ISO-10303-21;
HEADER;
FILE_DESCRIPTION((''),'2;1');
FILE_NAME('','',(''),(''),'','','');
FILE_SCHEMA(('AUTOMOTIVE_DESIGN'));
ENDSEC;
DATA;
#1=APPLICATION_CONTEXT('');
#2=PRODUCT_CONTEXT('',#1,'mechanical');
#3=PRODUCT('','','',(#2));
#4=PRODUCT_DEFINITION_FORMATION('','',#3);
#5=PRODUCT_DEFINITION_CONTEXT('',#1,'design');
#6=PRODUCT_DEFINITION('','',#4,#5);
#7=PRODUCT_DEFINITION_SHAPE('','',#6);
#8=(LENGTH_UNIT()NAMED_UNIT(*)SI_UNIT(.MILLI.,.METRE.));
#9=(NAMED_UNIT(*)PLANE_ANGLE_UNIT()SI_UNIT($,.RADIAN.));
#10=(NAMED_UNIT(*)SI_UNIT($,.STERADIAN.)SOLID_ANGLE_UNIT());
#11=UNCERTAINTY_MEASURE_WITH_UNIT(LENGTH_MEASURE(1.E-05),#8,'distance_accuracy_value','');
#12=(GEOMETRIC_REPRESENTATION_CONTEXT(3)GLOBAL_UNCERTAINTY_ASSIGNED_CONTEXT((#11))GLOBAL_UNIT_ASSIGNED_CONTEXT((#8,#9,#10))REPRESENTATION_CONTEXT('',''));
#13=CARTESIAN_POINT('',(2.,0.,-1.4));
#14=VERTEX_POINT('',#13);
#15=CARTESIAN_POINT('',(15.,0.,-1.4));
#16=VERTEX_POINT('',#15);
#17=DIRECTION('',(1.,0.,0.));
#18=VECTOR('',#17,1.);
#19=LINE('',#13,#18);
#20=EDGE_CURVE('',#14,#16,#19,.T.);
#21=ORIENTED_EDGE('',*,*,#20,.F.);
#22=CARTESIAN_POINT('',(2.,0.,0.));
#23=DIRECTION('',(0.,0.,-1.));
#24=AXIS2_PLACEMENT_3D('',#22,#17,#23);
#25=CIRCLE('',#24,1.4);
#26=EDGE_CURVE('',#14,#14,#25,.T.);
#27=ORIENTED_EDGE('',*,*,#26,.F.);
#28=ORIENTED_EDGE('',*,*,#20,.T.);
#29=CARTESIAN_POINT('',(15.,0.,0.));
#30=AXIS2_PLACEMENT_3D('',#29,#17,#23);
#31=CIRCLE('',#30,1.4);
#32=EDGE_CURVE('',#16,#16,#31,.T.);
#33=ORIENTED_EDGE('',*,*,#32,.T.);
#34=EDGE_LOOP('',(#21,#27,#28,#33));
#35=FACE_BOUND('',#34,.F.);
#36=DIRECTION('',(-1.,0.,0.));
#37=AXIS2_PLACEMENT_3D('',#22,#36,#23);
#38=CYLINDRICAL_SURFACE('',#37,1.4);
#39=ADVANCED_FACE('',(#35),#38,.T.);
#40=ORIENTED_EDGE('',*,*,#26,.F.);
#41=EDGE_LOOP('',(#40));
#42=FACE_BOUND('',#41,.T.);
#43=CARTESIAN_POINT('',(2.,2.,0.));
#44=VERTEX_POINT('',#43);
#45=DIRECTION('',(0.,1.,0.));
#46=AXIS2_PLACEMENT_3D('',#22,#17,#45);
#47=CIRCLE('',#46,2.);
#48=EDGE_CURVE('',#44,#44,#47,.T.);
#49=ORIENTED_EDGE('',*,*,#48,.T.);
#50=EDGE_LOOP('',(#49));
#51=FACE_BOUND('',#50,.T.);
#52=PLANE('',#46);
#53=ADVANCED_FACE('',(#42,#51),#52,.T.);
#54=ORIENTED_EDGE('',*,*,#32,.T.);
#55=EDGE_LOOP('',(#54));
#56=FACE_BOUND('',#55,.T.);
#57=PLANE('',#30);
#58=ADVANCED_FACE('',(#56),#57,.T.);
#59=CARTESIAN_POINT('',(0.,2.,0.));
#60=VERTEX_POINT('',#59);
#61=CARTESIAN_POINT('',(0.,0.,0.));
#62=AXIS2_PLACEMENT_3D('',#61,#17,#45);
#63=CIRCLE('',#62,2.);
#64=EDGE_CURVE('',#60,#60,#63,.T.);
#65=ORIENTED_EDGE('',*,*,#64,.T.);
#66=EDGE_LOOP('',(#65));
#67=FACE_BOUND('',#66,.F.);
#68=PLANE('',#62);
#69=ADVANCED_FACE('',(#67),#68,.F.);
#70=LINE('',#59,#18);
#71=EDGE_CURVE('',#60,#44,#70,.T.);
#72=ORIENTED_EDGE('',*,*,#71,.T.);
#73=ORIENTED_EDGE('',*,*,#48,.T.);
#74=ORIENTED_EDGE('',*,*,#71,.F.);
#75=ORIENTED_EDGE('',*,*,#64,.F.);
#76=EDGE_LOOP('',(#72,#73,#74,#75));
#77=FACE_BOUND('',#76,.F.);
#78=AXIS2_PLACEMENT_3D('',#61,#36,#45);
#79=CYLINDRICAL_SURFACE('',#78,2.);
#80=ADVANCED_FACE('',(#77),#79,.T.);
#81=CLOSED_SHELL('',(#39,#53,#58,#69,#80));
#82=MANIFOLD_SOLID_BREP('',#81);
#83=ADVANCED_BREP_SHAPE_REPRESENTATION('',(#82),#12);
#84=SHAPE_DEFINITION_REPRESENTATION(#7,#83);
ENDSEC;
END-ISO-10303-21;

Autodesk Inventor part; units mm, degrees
ref_plane "YZ Plane" through (0, 0, 0) normal (1, 0, 0) x (0, 1, 0)
ref_plane "XZ Plane" through (0, 0, 0) normal (0, 1, 0) x (-1, 0, 0)
ref_plane "XY Plane" through (0, 0, 0) normal (0, 0, 1) x (1, 0, 0)
sketch "Sketch1" plane through (0, 0, 0) normal (1, 0, 0) x (0, 1, 0)
  circle A0 centre (0, 0) radius 2
  dimension "d0" = 4
extrude "Extrusion1" add sketch "Sketch1" along normal blind 2
sketch "Sketch2" plane through (2, 0, 0) normal (1, 0, 0) x (0, 0, -1)
  circle A0 centre (0, 0) radius 1.4
  dimension "d3" = 2.8
extrude "Extrusion2" add sketch "Sketch2" along normal blind 13
properties part number "Ø3Split"
